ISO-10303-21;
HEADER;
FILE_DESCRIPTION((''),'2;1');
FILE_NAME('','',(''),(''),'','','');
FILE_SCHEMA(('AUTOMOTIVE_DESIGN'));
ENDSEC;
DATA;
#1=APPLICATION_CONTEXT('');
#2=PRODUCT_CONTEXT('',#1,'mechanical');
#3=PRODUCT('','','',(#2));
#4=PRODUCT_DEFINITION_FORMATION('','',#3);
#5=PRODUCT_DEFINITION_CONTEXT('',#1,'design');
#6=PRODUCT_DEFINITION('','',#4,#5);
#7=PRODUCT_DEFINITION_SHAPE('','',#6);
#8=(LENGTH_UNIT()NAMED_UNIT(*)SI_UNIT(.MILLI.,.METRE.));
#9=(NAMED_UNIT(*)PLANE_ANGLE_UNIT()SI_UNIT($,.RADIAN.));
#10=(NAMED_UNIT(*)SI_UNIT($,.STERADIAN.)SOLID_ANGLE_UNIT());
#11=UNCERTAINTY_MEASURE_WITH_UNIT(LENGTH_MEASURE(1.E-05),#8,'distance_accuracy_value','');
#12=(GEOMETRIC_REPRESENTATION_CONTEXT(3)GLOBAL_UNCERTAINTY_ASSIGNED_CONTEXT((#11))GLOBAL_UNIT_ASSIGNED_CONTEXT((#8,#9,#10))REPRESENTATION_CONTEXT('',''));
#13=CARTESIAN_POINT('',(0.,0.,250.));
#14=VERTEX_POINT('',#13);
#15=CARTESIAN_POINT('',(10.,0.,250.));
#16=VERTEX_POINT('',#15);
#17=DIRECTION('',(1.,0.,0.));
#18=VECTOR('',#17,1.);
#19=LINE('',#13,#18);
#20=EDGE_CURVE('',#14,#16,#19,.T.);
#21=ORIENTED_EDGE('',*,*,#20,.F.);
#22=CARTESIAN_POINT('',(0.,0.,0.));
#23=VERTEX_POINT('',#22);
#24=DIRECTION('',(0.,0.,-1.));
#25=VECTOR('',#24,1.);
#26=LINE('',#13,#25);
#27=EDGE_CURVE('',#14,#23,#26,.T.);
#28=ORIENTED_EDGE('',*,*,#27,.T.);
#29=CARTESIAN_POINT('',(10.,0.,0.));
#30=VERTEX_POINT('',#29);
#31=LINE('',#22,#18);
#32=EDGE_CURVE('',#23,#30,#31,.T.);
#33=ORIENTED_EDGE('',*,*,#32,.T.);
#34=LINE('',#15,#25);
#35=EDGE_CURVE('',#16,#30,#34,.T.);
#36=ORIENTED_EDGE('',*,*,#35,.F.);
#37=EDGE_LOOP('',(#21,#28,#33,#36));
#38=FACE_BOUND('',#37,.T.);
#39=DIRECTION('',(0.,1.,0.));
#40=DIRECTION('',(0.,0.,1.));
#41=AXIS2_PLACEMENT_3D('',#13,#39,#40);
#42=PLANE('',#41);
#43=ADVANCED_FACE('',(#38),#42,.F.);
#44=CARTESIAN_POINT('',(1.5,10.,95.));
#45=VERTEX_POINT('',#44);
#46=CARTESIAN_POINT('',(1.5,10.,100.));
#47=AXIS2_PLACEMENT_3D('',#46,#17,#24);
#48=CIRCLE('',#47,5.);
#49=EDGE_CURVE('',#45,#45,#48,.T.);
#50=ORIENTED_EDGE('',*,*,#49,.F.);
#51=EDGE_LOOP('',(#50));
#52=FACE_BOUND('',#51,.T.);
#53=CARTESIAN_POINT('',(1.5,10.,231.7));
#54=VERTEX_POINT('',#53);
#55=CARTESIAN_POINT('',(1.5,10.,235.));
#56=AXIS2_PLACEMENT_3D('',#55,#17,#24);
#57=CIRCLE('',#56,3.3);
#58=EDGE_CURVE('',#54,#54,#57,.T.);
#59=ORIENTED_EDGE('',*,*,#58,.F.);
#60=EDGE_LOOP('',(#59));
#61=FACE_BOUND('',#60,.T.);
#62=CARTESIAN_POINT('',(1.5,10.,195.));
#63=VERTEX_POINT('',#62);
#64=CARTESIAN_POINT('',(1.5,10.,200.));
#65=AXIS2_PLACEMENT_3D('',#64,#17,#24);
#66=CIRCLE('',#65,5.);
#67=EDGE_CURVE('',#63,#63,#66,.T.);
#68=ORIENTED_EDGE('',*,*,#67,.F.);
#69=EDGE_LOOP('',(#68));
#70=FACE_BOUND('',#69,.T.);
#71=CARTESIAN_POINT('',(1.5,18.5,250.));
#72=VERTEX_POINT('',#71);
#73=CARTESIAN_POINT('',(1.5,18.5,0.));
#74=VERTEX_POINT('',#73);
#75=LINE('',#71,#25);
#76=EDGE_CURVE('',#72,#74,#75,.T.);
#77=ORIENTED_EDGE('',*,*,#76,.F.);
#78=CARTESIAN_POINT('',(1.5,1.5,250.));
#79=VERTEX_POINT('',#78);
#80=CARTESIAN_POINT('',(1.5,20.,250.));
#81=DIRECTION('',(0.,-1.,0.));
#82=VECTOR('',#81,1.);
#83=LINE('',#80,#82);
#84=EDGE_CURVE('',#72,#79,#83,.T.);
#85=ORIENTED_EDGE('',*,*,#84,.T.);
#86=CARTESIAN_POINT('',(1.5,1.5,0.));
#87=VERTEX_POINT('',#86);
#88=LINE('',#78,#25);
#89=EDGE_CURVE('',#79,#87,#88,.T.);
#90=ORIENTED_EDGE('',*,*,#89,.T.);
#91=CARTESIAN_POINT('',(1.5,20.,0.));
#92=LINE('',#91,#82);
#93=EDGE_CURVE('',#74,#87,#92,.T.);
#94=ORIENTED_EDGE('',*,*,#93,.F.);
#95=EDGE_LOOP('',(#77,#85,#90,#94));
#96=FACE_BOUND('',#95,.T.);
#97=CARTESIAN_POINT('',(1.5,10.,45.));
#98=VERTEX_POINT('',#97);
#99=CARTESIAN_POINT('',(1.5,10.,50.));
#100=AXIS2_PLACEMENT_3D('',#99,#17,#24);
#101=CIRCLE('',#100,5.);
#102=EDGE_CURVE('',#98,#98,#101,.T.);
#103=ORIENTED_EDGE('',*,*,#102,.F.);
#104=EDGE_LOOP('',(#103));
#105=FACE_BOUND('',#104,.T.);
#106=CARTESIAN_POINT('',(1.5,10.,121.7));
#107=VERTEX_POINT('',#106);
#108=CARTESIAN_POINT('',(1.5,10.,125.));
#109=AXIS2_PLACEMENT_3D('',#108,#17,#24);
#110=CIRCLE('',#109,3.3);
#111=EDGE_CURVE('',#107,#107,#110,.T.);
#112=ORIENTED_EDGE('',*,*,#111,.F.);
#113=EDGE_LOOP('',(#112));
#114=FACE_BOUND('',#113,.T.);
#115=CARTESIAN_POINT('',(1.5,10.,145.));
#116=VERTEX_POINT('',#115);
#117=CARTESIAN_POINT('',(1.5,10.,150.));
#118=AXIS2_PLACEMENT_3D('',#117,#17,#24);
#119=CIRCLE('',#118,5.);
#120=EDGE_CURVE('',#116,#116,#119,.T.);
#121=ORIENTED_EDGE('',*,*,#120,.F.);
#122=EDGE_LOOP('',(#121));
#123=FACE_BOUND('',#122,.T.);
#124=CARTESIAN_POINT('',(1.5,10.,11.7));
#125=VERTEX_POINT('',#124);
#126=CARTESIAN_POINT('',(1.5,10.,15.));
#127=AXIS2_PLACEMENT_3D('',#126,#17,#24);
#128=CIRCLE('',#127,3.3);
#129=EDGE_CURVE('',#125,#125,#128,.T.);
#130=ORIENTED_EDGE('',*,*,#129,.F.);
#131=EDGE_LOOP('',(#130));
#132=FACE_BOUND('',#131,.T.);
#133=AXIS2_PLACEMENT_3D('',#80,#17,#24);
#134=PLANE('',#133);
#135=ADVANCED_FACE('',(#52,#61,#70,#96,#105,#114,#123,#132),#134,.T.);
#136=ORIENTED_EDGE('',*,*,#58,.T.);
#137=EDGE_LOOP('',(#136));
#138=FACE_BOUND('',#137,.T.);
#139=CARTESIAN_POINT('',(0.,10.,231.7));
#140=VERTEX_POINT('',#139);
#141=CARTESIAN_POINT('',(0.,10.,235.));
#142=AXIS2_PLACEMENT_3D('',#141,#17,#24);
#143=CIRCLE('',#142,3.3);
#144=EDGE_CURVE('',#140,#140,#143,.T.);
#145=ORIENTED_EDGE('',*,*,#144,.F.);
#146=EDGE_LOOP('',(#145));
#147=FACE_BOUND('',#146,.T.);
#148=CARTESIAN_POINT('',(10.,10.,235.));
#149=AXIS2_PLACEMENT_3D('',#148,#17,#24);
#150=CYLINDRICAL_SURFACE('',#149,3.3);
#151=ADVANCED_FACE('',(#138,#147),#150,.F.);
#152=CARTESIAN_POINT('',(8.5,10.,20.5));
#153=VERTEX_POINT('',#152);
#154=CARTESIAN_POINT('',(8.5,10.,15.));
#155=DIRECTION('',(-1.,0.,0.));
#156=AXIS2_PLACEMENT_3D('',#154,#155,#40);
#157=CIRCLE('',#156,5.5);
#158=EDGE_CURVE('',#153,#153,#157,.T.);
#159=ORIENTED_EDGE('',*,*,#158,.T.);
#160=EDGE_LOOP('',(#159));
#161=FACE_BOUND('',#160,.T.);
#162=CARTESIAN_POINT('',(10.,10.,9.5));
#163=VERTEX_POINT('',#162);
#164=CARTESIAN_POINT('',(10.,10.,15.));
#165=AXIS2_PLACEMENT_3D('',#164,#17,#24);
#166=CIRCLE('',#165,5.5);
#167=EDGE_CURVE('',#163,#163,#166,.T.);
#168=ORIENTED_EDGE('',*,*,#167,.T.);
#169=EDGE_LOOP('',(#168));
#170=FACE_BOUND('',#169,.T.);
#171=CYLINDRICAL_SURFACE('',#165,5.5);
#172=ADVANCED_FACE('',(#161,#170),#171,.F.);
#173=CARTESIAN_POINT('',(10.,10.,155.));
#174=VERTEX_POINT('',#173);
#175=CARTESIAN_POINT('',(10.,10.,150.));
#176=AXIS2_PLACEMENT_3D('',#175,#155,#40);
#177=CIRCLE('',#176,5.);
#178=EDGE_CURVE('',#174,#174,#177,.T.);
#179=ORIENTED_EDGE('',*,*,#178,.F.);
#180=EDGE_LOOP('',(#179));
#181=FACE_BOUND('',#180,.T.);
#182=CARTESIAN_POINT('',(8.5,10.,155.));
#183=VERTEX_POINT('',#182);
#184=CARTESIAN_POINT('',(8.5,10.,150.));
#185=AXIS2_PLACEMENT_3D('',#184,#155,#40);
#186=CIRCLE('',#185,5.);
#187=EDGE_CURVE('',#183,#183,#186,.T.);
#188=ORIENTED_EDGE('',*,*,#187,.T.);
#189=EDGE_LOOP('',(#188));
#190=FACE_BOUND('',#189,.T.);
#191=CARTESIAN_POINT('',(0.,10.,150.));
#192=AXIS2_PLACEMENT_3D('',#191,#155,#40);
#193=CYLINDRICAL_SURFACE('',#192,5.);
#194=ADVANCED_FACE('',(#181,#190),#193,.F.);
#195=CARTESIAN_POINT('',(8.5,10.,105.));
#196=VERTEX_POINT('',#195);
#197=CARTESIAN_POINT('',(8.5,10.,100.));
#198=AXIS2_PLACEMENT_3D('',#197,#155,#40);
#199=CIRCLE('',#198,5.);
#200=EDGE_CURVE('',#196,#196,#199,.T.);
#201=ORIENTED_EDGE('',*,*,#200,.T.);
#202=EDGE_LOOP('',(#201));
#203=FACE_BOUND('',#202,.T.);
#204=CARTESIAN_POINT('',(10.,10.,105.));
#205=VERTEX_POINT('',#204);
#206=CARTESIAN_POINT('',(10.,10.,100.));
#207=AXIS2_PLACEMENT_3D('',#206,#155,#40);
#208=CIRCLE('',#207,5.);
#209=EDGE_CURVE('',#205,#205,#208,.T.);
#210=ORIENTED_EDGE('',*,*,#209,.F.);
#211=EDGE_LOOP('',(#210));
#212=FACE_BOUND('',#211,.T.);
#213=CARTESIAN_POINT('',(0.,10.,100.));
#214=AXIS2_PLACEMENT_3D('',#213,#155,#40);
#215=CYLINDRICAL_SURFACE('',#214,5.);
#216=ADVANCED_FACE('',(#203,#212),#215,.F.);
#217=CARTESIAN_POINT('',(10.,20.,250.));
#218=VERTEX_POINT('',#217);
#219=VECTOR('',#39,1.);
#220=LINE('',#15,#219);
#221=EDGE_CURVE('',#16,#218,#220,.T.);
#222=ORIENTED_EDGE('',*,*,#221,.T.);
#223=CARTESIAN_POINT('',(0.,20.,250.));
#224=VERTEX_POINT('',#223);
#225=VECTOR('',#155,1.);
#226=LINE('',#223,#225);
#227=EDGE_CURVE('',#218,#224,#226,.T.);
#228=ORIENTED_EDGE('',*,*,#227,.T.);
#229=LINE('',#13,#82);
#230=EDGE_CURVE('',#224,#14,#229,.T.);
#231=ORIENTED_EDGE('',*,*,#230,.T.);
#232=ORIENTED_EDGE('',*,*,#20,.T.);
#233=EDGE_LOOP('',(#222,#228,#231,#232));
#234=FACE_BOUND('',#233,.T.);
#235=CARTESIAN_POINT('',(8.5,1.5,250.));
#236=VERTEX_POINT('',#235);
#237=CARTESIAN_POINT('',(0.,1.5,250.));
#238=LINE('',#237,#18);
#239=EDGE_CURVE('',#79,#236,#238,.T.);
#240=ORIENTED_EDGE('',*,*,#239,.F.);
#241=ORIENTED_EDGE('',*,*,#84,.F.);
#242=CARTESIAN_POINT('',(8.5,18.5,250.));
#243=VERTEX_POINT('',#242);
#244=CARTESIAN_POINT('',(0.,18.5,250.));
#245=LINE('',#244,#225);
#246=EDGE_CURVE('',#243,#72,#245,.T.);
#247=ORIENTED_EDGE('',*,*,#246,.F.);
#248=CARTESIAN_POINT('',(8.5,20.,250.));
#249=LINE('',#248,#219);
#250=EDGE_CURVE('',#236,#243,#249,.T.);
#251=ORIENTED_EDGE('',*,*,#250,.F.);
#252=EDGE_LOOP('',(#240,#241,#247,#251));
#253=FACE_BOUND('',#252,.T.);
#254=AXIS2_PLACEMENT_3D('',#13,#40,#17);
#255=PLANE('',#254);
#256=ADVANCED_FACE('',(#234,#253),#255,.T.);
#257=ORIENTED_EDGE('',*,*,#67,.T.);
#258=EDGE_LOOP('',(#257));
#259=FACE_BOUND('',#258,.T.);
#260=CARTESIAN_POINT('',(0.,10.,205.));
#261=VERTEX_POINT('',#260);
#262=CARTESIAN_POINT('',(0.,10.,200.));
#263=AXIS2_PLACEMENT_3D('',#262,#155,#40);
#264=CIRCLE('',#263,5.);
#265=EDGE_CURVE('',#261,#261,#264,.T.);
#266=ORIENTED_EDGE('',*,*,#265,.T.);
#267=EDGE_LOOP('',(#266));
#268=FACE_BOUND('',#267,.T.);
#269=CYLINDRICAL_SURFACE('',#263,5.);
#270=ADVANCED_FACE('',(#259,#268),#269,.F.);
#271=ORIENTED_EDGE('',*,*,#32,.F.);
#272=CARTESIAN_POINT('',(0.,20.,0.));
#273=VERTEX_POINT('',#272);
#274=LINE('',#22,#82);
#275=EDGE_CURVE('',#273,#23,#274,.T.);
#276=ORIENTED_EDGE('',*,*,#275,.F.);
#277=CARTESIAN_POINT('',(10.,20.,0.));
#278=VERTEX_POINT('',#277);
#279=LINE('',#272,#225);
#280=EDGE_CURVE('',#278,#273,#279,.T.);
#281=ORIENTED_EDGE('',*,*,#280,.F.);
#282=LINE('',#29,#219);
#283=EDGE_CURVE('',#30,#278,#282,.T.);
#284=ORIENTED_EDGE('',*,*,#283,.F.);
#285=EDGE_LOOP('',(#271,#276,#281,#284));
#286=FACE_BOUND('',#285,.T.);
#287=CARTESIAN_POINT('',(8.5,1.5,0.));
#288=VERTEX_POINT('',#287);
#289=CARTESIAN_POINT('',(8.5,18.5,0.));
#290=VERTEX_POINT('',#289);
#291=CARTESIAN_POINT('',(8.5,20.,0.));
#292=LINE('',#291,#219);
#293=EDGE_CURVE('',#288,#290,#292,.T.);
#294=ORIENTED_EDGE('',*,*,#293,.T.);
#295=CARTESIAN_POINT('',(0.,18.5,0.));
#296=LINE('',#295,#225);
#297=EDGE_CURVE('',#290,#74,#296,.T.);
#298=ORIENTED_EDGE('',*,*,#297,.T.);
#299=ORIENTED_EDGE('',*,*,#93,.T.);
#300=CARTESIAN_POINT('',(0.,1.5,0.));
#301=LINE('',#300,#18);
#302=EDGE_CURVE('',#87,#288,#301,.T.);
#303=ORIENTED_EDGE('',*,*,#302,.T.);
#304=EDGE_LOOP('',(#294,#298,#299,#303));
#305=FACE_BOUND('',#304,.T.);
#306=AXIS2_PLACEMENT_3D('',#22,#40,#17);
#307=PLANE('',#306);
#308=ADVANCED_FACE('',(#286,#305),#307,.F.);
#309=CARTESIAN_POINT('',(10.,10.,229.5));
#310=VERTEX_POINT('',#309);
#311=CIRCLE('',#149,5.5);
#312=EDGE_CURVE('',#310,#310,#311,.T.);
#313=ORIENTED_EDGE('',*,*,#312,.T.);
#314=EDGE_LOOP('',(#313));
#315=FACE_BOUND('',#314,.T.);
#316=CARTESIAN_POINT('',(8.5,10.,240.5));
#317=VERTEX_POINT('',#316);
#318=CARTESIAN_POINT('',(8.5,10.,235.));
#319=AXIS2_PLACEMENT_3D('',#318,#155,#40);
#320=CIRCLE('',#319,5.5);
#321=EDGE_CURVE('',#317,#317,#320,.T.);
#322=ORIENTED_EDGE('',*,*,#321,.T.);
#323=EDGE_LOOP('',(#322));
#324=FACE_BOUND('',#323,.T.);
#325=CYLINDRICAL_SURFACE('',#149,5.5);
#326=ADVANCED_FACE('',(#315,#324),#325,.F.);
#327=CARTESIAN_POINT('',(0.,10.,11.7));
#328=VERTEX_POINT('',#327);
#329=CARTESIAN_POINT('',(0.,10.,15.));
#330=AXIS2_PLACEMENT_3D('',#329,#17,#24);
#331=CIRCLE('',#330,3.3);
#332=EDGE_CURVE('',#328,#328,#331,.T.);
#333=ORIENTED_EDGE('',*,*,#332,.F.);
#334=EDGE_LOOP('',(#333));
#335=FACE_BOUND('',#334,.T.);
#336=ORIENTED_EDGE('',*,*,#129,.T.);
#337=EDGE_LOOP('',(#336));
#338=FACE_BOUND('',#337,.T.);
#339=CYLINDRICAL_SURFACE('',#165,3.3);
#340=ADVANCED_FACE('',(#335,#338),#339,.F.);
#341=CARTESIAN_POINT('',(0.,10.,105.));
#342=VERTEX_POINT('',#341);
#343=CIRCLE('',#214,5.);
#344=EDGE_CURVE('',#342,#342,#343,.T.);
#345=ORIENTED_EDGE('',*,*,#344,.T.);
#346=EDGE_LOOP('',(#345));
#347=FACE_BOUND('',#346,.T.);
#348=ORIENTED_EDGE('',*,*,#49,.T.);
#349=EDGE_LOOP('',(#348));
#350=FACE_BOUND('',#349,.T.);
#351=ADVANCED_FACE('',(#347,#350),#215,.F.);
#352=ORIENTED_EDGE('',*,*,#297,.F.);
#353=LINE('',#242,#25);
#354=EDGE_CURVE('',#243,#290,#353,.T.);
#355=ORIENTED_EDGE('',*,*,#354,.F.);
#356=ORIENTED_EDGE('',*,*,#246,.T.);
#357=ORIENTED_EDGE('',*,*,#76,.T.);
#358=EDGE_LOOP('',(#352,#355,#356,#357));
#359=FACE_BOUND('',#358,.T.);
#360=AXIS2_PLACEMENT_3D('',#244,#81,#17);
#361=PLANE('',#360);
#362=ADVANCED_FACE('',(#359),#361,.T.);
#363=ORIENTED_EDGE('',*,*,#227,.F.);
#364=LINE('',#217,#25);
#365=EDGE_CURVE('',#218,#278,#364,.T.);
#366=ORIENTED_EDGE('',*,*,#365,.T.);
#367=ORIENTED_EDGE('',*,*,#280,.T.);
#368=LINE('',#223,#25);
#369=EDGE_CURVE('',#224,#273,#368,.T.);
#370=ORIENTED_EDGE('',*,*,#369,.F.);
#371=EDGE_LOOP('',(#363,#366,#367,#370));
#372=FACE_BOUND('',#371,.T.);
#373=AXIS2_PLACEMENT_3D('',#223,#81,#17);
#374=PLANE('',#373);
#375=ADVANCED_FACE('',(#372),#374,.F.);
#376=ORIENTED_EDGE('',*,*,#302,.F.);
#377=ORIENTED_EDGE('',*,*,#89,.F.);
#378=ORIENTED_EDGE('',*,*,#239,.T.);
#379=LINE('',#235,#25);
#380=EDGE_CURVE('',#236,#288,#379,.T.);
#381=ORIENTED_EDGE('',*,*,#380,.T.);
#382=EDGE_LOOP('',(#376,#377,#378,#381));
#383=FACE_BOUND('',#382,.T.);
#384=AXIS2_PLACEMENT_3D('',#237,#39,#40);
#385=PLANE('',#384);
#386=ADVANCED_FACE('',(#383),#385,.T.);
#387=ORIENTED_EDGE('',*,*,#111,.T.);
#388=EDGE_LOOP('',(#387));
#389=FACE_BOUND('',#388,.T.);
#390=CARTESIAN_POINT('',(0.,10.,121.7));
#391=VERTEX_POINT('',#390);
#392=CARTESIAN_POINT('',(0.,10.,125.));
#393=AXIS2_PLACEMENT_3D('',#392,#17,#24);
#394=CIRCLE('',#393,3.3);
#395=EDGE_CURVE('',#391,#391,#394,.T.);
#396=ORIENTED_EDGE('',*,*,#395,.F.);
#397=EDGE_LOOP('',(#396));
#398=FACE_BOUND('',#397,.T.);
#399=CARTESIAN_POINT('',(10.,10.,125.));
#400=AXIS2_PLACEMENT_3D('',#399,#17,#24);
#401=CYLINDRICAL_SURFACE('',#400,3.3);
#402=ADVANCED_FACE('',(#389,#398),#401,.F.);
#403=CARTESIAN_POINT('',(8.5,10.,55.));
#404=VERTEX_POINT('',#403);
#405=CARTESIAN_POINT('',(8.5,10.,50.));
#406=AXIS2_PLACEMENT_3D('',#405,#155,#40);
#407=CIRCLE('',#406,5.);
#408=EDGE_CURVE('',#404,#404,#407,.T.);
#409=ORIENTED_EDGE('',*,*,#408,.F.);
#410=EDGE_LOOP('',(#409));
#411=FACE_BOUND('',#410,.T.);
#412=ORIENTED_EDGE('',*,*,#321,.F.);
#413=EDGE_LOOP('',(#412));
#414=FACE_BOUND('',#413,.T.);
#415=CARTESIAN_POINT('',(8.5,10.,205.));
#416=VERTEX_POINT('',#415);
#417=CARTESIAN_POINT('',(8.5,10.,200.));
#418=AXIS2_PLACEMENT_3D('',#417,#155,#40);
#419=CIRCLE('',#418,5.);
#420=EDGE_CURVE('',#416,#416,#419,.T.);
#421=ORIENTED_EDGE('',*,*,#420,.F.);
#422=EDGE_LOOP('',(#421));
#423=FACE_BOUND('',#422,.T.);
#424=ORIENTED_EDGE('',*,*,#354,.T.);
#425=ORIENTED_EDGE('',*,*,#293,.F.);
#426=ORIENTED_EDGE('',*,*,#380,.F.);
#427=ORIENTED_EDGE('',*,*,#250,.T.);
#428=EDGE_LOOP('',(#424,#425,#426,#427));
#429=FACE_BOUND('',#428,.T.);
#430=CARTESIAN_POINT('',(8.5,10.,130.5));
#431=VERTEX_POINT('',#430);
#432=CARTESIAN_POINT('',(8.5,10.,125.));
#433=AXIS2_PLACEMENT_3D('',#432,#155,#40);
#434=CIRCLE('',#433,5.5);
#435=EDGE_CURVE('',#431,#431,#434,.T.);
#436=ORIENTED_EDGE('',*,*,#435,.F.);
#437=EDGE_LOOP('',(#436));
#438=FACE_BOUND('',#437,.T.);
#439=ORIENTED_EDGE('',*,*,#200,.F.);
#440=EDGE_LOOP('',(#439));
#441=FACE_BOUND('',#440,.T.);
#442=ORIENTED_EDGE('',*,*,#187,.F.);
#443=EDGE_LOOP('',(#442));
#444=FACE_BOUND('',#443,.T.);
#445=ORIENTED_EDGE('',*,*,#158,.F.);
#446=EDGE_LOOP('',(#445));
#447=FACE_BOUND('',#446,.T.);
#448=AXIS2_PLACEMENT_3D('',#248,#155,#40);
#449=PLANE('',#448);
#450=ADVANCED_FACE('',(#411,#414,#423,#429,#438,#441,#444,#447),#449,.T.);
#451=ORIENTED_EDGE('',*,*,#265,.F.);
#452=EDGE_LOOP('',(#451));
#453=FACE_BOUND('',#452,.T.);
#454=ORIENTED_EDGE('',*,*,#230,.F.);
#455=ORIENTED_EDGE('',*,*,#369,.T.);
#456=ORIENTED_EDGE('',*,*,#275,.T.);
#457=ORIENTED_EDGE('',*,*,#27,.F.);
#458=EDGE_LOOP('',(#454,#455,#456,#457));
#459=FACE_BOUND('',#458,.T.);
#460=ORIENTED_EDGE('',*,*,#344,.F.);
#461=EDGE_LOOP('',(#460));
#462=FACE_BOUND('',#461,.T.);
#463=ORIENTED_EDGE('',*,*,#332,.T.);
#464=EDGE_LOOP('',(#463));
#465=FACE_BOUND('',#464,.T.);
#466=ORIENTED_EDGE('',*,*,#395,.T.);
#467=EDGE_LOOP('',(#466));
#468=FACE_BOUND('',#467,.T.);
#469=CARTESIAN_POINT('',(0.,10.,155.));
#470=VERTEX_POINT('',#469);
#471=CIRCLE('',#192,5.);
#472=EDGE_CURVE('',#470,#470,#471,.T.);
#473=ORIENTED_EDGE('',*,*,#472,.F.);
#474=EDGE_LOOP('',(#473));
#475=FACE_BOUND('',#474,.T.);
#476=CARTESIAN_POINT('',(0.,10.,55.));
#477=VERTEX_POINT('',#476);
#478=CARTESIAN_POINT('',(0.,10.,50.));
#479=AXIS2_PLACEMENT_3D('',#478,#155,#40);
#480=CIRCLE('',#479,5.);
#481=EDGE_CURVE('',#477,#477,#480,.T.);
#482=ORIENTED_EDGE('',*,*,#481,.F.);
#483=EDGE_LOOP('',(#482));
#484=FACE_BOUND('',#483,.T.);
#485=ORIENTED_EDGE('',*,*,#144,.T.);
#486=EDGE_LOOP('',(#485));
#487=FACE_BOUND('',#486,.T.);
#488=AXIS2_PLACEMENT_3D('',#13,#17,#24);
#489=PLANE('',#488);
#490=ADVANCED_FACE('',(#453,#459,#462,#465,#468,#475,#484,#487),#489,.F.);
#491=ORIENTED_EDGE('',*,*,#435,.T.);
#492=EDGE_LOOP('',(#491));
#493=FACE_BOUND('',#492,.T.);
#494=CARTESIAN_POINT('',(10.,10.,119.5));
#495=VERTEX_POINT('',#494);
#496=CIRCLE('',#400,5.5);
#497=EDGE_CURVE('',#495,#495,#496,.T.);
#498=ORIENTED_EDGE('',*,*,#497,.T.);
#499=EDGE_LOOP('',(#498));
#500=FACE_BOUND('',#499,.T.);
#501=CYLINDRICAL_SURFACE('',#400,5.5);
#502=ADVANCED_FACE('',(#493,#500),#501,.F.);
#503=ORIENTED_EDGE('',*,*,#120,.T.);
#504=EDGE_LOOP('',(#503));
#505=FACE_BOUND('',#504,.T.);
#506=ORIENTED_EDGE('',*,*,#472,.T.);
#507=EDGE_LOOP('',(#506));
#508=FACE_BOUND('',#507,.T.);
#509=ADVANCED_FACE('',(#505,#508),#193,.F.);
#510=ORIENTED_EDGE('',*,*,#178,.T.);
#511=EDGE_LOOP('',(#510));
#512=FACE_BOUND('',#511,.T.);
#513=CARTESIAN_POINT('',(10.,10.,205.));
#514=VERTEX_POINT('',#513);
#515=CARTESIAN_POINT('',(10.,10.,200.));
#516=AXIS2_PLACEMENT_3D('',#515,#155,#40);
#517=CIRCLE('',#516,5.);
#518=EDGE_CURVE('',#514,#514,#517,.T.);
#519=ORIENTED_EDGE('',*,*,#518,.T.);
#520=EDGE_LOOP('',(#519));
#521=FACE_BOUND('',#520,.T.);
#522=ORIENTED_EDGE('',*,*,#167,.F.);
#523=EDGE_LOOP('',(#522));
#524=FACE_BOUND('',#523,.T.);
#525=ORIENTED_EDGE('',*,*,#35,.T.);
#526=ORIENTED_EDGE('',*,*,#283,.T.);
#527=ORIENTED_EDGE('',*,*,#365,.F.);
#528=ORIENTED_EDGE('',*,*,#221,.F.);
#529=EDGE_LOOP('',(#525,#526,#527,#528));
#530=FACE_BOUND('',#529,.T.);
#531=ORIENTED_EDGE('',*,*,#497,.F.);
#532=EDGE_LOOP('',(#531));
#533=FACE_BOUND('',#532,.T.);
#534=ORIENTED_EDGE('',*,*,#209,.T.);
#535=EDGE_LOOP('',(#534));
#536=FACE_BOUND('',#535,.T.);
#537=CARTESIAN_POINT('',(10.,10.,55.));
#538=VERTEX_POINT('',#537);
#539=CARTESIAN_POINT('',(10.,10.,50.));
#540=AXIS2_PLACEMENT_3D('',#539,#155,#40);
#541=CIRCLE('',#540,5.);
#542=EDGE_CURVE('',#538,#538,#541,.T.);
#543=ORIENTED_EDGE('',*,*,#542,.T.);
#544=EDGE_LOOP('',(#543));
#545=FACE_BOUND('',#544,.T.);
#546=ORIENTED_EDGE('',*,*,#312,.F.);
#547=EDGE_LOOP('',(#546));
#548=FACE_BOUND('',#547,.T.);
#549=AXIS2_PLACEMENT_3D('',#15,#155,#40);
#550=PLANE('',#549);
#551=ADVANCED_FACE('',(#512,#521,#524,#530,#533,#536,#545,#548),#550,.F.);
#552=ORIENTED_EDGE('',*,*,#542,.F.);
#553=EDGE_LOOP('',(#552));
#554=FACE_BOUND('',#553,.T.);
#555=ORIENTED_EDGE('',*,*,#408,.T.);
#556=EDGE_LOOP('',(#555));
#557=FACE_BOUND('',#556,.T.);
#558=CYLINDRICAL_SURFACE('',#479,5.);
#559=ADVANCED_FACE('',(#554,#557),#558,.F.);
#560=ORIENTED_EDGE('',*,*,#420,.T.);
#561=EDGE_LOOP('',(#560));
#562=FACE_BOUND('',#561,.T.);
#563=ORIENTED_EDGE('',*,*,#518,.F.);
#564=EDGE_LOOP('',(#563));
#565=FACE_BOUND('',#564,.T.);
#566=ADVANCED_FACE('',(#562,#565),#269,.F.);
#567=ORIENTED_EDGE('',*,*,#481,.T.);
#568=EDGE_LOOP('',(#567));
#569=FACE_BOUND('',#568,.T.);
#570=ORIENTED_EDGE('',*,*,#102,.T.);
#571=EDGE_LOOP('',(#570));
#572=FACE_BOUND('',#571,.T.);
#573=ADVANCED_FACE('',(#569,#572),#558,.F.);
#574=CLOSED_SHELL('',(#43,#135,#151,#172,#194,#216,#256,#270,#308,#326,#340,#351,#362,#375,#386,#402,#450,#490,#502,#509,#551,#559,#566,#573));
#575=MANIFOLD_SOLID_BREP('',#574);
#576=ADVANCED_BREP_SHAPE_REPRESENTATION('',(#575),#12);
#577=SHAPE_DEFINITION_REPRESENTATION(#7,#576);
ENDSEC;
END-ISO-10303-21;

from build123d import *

# Parameters (mm, degrees)
SKETCH_1_W                  = 10
SKETCH_1_H                  = 20
SKETCH_1_W_2                = 7
SKETCH_1_H_2                = 17
EXTRUDE_1_DEPTH             = 250
HOLE_WIZARD_M61_D           = 6.6
HOLE_WIZARD_M61_CBORE_D     = 11
HOLE_WIZARD_M61_CBORE_DEPTH = 6.4
HOLE_WIZARD_1_D             = 10
HOLE_WIZARD_1_DEPTH         = 100


with BuildPart() as part:
    # Эскиз1 → Вытянуть-Тонкостенный1 (new body)
    with BuildSketch(Plane.XY):
        with Locations((5, 10)):
            Rectangle(SKETCH_1_W, SKETCH_1_H)
        with Locations((5, 10)):
            Rectangle(SKETCH_1_W_2, SKETCH_1_H_2, mode=Mode.SUBTRACT)
    extrude(amount=EXTRUDE_1_DEPTH)

    # Цековка для  винта с внутренним шестигранником M61 (through all)
    with Locations(Plane(origin=(10, 0, 0), x_dir=(0, 0, -1), z_dir=(1, 0, 0))):
        with Locations((-235, 10), (-125, 10), (-15, 10)):
            CounterBoreHole(HOLE_WIZARD_M61_D / 2, HOLE_WIZARD_M61_CBORE_D / 2, HOLE_WIZARD_M61_CBORE_DEPTH)

    # Отверстие1
    with Locations(Plane.ZY):
        with Locations((50, 10), (100, 10), (150, 10), (200, 10)):
            Hole(HOLE_WIZARD_1_D / 2, depth=HOLE_WIZARD_1_DEPTH)


solid = part.part
